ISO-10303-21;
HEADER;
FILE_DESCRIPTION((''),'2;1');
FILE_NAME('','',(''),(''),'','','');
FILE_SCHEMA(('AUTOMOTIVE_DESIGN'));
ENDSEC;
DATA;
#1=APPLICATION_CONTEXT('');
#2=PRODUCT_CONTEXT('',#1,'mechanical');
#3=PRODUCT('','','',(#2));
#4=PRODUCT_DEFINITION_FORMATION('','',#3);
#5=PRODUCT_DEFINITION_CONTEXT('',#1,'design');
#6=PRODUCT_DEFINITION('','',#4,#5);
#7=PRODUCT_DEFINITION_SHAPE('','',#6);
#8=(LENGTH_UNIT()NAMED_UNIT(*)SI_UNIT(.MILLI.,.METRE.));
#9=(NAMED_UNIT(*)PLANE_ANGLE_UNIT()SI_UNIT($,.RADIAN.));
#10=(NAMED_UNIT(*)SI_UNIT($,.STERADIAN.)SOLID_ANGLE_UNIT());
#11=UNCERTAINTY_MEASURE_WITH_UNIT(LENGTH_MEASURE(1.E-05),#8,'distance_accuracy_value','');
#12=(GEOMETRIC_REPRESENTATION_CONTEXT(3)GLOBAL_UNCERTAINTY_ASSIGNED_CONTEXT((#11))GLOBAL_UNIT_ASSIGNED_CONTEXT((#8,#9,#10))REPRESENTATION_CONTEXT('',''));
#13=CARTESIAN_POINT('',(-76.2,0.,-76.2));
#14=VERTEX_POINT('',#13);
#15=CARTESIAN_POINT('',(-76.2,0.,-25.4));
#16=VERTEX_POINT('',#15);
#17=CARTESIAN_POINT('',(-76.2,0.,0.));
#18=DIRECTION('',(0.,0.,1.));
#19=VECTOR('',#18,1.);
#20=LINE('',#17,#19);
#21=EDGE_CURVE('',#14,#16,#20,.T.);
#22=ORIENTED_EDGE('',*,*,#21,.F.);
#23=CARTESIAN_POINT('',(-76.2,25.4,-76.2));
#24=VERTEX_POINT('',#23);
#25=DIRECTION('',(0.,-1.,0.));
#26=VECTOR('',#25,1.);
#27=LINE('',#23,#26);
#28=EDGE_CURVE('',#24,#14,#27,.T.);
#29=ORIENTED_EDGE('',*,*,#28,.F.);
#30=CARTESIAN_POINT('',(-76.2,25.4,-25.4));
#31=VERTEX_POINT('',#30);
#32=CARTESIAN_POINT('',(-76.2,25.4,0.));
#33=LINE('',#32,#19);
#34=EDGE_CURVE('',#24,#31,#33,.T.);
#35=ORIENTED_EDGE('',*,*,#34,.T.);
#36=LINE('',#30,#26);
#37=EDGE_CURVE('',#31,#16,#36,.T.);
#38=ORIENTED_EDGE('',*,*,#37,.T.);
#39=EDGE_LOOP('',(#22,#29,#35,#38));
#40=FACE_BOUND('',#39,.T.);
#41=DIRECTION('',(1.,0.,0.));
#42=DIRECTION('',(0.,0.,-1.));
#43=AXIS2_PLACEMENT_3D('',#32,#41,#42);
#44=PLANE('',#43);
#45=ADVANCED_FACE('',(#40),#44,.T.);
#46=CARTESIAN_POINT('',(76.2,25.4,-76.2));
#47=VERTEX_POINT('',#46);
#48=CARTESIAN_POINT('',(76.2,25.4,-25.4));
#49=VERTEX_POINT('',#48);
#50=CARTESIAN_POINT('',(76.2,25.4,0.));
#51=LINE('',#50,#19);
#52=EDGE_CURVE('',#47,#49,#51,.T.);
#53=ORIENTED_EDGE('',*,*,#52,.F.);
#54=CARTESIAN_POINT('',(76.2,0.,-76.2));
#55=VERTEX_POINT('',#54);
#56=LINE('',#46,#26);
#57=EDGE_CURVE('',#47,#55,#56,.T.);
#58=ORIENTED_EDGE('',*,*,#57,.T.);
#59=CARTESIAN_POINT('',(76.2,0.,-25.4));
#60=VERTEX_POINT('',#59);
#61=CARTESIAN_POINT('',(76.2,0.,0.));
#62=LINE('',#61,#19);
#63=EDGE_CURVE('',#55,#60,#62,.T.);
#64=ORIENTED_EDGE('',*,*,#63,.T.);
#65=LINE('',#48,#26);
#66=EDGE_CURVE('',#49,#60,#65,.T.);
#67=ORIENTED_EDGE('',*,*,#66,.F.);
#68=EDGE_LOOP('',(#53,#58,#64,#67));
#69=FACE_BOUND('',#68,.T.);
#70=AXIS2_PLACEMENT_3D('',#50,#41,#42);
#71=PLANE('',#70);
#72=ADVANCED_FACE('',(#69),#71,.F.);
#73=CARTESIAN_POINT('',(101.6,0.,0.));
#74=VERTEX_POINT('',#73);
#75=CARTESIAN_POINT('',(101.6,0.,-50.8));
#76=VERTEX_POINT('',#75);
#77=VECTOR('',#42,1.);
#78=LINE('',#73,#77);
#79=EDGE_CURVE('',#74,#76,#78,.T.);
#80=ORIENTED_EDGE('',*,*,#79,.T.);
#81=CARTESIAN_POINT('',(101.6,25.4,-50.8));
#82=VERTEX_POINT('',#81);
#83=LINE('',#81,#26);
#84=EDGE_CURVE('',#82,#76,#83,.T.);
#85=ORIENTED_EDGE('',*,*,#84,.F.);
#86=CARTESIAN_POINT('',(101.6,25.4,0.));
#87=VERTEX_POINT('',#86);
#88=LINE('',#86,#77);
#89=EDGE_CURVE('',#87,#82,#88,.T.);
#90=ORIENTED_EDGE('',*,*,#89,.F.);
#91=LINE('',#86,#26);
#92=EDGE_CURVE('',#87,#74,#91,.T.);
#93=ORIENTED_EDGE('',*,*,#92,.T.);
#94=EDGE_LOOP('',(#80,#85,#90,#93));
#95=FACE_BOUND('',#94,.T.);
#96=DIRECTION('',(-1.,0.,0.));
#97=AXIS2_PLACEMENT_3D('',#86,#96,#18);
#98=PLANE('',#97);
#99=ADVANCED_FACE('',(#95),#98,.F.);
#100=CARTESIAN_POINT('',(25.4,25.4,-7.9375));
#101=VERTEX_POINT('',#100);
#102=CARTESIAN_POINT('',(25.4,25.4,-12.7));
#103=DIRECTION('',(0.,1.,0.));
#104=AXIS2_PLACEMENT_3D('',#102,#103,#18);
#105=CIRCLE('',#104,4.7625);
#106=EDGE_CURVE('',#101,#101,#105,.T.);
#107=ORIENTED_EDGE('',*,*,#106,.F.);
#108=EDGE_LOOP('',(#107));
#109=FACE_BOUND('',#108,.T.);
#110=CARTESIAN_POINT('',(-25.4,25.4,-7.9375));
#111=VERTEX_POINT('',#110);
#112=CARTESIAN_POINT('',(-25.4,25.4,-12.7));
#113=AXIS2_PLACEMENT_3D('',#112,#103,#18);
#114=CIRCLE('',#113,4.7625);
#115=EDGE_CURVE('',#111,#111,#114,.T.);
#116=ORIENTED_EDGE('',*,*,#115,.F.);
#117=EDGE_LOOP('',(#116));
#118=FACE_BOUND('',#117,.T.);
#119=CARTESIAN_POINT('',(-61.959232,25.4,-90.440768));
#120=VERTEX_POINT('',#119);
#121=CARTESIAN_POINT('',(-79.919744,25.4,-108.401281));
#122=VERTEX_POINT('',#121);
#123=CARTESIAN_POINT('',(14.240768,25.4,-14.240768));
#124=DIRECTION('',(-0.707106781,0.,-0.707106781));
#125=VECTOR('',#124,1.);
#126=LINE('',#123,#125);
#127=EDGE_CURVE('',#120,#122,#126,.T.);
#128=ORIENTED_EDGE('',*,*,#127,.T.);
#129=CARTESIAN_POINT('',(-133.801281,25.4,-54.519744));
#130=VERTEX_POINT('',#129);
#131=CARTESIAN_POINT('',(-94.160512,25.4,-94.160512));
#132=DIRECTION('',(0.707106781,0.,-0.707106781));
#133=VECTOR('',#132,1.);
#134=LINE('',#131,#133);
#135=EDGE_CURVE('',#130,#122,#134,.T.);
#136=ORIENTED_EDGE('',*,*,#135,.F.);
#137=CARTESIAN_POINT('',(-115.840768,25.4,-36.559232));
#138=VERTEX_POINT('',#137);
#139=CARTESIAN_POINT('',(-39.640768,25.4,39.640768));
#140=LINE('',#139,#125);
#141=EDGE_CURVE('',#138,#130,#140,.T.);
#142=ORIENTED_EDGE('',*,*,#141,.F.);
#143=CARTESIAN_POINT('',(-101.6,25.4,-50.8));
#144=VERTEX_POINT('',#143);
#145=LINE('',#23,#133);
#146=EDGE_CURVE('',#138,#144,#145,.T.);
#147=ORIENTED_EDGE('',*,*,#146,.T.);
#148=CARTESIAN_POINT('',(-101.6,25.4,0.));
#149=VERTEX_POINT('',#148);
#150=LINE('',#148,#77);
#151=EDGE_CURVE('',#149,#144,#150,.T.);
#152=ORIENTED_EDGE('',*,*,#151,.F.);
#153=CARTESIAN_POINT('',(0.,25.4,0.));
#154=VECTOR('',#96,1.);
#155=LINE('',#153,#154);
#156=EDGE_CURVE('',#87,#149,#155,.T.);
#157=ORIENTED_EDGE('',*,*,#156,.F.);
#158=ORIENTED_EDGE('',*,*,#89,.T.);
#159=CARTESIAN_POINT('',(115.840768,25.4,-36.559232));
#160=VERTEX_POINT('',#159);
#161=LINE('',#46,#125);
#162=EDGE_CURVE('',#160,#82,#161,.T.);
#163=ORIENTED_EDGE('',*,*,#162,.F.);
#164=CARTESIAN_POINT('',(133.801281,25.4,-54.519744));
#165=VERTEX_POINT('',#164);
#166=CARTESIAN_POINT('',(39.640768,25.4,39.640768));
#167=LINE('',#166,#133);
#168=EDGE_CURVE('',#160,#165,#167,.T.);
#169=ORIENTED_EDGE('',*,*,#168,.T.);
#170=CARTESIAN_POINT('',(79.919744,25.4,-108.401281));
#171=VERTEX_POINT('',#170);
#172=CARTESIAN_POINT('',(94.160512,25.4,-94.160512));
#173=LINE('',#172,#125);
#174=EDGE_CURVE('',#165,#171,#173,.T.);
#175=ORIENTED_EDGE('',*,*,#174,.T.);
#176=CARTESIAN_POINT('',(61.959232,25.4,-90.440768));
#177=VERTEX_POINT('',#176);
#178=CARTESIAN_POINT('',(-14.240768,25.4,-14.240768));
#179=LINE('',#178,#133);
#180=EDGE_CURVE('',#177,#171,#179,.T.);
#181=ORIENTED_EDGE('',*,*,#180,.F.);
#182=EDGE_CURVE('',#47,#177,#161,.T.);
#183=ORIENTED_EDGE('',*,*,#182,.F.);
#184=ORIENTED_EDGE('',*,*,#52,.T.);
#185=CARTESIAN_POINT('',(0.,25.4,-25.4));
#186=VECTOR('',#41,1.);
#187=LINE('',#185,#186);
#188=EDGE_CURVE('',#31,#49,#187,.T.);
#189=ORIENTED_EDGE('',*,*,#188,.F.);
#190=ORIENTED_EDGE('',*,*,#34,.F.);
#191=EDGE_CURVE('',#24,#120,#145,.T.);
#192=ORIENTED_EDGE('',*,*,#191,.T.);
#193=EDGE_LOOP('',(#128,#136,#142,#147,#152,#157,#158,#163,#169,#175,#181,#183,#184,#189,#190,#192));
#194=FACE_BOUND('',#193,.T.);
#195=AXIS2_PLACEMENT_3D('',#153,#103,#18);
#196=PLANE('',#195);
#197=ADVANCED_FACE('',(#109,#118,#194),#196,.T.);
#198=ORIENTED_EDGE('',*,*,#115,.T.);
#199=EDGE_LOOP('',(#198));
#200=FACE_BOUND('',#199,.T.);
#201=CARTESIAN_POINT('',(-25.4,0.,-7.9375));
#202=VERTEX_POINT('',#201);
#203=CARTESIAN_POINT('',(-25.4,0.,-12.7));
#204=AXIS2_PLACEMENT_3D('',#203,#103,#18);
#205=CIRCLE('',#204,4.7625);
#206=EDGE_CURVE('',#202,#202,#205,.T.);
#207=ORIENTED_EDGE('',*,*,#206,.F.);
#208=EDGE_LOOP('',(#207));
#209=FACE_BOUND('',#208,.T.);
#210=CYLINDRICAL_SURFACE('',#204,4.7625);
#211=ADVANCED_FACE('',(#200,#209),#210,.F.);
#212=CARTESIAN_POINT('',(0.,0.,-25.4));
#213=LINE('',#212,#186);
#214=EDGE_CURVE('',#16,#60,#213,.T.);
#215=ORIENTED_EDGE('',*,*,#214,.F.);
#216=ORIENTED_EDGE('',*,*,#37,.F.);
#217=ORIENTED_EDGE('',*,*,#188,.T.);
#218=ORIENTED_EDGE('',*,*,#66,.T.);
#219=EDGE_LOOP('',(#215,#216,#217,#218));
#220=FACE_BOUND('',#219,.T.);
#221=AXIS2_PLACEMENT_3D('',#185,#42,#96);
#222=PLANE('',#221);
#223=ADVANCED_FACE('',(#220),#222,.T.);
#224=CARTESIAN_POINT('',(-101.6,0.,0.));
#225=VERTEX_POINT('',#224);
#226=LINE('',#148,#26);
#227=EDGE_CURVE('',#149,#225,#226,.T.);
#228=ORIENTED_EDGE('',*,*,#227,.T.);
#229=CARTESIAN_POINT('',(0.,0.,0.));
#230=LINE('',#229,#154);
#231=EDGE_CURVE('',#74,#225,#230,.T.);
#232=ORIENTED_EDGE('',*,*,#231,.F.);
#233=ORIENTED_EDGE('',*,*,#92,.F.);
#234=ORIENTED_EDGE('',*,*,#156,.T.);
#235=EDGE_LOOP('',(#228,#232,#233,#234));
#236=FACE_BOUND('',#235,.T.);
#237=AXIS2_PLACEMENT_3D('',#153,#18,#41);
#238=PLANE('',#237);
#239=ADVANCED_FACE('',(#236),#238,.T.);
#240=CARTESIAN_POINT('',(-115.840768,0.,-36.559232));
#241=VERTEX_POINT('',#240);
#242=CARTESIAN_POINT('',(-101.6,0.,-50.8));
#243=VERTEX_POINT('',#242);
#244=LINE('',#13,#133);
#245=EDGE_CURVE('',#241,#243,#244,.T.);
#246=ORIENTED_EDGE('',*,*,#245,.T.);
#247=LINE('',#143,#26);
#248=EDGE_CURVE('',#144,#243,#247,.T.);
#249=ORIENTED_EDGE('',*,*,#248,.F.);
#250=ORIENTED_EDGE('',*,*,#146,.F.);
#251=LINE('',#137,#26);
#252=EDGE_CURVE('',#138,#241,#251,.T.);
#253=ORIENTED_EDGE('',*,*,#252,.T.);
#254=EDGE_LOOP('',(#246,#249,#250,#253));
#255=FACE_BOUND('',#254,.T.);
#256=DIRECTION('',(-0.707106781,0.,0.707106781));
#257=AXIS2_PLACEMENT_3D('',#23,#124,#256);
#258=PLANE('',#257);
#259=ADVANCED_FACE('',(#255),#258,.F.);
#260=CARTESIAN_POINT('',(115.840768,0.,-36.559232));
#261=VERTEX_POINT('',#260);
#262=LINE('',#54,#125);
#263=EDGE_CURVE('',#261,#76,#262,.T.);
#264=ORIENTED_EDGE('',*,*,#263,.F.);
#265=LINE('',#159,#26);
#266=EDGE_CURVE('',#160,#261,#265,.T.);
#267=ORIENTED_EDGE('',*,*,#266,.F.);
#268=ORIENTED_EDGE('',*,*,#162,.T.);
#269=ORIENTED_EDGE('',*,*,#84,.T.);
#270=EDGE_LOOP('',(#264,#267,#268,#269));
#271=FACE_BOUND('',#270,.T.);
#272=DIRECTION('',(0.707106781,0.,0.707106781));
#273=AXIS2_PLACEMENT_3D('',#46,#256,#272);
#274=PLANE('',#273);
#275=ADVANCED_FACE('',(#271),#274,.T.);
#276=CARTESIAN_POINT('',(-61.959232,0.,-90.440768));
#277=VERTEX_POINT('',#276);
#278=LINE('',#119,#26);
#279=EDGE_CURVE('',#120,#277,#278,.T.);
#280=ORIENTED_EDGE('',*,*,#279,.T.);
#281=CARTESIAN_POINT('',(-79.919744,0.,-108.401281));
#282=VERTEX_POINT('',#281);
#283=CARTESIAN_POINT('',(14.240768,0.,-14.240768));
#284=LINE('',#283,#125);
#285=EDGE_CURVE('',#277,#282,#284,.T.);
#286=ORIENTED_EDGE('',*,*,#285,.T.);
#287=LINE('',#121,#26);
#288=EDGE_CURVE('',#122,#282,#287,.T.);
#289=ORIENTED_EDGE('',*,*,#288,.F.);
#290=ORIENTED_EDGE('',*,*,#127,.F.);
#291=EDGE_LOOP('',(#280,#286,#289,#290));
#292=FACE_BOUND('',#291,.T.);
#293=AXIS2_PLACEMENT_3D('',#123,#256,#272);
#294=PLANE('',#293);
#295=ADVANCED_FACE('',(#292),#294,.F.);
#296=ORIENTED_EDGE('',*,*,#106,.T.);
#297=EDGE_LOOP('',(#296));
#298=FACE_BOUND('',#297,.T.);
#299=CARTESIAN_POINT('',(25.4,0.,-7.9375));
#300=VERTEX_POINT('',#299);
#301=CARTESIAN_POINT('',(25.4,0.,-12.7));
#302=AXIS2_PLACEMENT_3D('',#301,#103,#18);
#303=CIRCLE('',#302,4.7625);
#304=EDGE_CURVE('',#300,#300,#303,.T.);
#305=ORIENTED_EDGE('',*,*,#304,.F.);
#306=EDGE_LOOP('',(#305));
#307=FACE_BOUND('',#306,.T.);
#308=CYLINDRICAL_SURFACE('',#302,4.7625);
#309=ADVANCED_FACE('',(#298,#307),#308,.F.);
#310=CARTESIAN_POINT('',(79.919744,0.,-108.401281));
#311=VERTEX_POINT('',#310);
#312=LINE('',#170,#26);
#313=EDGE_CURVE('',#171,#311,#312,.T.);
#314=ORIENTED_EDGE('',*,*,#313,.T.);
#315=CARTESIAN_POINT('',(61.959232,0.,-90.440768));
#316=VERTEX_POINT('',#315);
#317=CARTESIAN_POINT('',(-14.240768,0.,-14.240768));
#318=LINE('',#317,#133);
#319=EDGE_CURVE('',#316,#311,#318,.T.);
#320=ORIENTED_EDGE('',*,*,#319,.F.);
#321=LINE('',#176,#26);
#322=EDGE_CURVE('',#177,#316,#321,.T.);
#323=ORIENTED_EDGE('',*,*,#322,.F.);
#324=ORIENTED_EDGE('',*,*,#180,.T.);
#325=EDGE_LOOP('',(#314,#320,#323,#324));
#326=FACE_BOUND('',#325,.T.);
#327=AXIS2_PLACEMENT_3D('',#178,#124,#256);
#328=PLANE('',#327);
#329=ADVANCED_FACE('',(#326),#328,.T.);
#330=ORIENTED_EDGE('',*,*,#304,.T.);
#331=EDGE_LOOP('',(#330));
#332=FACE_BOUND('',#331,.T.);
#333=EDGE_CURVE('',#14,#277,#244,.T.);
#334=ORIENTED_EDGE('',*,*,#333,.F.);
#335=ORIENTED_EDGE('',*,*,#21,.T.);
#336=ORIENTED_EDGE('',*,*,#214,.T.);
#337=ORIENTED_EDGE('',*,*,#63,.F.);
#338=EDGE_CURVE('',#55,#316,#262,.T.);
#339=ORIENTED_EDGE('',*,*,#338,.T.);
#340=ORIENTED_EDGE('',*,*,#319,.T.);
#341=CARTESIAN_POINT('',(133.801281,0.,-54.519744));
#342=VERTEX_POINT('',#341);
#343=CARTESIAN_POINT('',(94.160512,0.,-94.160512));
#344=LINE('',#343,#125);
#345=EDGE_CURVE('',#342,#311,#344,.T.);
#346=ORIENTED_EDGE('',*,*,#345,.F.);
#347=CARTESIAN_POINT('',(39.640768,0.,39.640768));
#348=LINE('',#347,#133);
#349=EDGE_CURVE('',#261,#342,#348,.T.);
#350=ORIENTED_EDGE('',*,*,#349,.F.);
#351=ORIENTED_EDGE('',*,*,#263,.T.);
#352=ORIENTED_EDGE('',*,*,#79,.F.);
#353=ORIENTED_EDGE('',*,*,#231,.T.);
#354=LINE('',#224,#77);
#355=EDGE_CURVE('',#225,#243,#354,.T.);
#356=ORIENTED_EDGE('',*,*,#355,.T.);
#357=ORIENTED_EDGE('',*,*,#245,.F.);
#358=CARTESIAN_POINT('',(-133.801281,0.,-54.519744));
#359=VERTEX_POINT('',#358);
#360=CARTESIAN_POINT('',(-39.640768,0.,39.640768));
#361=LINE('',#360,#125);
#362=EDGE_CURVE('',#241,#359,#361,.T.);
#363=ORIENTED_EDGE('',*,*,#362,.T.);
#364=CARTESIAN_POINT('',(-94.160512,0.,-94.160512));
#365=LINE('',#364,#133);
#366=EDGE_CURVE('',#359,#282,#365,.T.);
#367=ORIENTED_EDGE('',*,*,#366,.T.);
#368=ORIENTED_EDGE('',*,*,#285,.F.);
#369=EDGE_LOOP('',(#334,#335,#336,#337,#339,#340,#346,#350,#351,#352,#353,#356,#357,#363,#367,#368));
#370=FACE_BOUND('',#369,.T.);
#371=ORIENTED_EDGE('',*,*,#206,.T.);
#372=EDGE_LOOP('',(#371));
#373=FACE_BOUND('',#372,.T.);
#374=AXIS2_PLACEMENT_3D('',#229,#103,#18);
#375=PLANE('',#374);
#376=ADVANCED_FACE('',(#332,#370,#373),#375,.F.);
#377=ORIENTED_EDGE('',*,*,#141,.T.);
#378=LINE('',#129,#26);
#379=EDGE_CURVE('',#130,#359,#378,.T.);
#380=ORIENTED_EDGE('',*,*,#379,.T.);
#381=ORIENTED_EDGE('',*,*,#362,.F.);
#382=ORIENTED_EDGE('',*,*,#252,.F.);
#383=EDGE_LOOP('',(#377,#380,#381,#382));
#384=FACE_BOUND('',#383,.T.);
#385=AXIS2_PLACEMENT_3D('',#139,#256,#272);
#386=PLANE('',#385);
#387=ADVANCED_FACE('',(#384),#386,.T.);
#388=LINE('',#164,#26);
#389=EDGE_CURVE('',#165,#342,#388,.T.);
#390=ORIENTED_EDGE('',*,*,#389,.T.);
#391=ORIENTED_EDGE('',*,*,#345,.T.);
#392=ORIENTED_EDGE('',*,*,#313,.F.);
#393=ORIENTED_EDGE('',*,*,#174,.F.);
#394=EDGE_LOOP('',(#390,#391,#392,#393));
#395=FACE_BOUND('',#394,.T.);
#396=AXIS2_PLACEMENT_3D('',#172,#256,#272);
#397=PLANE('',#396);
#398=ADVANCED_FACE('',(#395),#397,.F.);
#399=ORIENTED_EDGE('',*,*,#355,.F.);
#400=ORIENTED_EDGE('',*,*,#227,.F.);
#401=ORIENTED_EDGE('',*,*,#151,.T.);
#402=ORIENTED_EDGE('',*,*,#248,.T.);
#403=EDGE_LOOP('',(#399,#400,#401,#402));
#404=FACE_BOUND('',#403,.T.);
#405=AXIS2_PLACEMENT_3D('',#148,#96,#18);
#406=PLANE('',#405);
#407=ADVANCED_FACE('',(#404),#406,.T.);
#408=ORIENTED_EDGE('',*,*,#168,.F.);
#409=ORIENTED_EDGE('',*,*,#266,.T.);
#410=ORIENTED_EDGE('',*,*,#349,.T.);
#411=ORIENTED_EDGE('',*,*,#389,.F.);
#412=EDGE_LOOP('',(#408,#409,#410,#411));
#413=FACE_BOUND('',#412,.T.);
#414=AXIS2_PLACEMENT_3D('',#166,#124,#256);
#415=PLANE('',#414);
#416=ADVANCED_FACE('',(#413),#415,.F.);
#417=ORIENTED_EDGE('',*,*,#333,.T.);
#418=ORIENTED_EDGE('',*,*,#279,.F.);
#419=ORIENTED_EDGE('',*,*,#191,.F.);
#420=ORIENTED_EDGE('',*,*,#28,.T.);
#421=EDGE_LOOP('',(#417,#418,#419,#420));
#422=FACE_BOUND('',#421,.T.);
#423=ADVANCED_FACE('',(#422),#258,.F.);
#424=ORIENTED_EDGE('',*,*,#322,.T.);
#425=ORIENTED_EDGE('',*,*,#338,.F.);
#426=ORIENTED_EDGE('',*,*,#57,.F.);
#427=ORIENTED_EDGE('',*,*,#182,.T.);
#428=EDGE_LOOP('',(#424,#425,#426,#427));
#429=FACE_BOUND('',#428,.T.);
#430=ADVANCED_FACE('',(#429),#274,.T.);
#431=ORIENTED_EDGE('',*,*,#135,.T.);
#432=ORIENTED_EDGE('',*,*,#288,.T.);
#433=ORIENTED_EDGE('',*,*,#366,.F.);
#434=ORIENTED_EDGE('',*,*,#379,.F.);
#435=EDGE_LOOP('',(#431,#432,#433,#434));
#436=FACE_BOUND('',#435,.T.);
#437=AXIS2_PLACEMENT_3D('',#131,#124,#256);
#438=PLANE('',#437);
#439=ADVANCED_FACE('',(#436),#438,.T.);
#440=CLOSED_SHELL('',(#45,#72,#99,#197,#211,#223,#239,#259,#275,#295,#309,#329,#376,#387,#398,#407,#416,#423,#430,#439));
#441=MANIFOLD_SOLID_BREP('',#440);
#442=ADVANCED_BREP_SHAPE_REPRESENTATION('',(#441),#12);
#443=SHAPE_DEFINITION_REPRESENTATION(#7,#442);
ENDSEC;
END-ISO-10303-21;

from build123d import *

# Parameters (mm, degrees)
BOSS_EXTRUDE1_DEPTH     = 25.4
SKETCH2_R               = 4.7625
CUT_EXTRUDE1_DEPTH      = 1
CUT_EXTRUDE1_DEPTH_BACK = 26.4


with BuildPart() as part:
    # Sketch1 → Boss-Extrude1 (new body)
    with BuildSketch(Plane(origin=(0, 0, 0), x_dir=(1, 0, 0), z_dir=(0, 1, 0))):
        Polygon((101.6, 0), (-101.6, 0), (-101.6, 50.8), (-76.2, 76.2), (-76.2, 25.4), (76.2, 25.4), (76.2, 76.2), (101.6, 50.8), align=None)
        Polygon((-76.2, 76.2), (-61.959231637, 90.440768363), (-79.919743879, 108.401280605), (-133.801280605, 54.519743879), (-115.840768363, 36.559231637), (-101.6, 50.8), align=None)
        Polygon((101.6, 50.8), (76.2, 76.2), (61.959231637, 90.440768363), (79.919743879, 108.401280605), (133.801280605, 54.519743879), (115.840768363, 36.559231637), align=None)
    extrude(amount=BOSS_EXTRUDE1_DEPTH)

    # Sketch2 → Cut-Extrude1 (cut, two sides)
    with BuildSketch(Plane(origin=(0, 25.4, 0), x_dir=(1, 0, 0), z_dir=(0, 1, 0))) as cut_extrude1_sk:
        with Locations((25.4, 12.7)):
            Circle(SKETCH2_R)
        with Locations((-25.4, 12.7)):
            Circle(SKETCH2_R)
    extrude(amount=CUT_EXTRUDE1_DEPTH, mode=Mode.SUBTRACT)
    extrude(cut_extrude1_sk.sketch, amount=-CUT_EXTRUDE1_DEPTH_BACK, mode=Mode.SUBTRACT)


solid = part.part
